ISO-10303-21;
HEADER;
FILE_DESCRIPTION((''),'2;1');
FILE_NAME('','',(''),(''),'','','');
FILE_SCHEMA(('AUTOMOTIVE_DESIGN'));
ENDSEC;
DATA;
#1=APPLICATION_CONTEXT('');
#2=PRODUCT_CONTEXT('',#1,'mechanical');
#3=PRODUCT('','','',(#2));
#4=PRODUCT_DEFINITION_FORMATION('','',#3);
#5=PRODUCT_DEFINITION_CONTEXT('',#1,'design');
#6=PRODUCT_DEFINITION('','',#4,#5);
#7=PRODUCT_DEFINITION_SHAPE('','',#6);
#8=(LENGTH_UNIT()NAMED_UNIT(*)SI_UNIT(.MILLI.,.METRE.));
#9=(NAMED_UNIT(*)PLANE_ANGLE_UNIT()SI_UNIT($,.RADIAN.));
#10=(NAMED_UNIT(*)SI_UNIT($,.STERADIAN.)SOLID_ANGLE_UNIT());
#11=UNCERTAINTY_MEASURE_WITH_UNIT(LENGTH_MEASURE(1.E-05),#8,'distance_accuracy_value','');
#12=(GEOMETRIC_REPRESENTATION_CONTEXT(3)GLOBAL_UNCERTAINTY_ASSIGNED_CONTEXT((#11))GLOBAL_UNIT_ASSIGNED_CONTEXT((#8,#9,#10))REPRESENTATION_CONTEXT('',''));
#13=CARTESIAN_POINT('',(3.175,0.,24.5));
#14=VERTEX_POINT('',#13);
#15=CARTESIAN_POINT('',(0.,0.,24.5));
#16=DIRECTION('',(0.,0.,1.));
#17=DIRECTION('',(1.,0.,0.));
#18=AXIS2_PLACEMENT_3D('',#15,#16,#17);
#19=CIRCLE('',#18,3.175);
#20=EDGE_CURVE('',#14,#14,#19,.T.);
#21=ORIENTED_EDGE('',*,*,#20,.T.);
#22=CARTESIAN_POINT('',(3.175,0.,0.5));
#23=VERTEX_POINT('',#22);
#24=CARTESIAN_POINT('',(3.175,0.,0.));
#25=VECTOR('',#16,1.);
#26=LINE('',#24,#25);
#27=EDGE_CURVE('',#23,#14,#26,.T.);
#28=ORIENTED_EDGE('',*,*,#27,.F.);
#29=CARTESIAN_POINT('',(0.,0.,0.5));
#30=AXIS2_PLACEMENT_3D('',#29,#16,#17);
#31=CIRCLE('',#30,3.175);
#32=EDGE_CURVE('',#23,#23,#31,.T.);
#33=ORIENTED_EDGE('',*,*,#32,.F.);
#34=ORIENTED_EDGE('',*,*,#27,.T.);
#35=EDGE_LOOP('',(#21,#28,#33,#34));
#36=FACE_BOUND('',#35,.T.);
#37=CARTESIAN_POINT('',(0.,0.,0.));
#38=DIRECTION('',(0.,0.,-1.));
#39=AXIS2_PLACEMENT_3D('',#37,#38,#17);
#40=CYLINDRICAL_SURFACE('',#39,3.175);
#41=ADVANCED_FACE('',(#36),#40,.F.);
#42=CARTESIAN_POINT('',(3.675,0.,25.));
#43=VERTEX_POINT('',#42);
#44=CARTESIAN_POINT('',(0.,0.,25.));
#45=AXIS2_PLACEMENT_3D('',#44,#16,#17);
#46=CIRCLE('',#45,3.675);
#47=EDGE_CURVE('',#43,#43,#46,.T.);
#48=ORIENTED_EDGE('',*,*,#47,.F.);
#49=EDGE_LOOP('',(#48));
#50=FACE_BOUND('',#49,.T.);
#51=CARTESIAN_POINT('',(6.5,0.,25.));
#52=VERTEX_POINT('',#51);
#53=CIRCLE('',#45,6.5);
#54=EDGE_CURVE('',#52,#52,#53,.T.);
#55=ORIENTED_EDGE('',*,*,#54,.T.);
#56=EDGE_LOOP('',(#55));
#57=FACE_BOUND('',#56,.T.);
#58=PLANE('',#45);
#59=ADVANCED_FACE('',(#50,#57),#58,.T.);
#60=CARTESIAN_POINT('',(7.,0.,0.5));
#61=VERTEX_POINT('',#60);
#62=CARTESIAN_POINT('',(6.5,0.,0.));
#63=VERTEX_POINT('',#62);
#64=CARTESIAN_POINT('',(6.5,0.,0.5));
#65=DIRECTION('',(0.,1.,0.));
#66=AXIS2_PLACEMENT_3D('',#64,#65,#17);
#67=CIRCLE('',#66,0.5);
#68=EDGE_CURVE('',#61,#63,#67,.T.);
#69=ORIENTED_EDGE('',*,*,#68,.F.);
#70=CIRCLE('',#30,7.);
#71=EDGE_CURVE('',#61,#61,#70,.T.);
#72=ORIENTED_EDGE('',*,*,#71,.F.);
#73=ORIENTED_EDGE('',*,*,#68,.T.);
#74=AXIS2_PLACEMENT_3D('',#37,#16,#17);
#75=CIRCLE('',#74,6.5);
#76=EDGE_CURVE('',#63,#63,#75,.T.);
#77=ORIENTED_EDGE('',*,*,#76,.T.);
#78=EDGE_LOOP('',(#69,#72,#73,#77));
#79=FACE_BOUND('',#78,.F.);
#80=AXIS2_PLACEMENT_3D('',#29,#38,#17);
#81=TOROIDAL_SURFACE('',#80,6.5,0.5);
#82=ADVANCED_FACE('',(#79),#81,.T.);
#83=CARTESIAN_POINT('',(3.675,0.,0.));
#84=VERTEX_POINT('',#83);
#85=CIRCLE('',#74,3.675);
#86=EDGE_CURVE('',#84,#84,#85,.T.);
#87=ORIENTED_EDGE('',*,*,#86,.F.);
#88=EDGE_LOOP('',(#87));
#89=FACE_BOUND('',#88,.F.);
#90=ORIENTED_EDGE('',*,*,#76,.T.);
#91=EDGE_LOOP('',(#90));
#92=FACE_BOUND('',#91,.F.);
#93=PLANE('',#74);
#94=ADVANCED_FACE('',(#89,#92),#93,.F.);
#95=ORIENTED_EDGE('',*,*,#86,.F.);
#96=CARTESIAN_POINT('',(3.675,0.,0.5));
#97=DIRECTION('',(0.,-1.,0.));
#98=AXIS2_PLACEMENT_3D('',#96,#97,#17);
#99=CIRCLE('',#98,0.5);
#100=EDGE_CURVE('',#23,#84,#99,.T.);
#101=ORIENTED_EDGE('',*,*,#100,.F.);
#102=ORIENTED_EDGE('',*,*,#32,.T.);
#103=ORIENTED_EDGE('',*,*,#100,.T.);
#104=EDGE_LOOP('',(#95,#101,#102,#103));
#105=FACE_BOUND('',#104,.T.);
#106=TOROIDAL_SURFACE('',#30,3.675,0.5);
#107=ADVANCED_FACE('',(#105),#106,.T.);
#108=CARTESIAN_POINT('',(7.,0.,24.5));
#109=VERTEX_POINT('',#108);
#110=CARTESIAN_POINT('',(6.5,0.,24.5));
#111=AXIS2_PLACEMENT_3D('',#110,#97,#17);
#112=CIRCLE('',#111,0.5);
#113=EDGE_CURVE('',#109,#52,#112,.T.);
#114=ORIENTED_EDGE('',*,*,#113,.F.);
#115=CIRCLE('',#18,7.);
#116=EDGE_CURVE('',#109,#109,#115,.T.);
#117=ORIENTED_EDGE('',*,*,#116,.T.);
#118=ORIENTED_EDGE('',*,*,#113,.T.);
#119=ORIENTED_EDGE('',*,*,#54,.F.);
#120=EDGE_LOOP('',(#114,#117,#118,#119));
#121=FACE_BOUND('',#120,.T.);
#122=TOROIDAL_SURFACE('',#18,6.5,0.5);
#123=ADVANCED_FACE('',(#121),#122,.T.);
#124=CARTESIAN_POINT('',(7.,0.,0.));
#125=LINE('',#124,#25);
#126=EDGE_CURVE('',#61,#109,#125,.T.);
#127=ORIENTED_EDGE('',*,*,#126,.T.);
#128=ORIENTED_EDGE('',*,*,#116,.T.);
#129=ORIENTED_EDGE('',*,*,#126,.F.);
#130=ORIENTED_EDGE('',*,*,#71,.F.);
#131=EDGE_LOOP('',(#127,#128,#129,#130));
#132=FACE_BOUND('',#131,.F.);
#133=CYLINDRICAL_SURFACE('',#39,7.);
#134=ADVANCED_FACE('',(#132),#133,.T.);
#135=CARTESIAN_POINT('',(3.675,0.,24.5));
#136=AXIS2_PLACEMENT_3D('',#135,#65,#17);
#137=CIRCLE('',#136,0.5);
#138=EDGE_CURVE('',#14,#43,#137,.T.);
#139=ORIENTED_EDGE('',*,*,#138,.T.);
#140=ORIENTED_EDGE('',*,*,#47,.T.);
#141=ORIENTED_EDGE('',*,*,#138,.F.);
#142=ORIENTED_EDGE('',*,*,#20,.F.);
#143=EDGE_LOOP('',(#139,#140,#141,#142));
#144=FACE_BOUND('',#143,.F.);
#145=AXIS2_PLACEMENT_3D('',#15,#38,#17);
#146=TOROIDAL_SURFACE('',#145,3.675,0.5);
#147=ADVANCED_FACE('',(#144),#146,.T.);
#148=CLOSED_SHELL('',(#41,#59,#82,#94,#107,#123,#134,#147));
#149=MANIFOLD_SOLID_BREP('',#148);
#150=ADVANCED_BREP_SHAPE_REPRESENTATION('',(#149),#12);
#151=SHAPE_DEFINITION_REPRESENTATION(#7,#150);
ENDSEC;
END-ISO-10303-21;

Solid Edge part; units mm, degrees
sketch "Sketch1" plane through (0, 0, 0) normal (0, 0, 1) x (1, 0, 0)
  circle A0 centre (0, 0) radius 7
  circle A1 centre (0, 0) radius 3.175
extrude "Protrusion1" add sketch "Sketch1" along normal blind 25
fillet "Round_1" radius 0.5 4 edges at (-7, 0, 25) (-7, 0, 0) (-3.175, 0, 0) (-3.175, 0, 25)
fillet "Round_2" [suppressed]
